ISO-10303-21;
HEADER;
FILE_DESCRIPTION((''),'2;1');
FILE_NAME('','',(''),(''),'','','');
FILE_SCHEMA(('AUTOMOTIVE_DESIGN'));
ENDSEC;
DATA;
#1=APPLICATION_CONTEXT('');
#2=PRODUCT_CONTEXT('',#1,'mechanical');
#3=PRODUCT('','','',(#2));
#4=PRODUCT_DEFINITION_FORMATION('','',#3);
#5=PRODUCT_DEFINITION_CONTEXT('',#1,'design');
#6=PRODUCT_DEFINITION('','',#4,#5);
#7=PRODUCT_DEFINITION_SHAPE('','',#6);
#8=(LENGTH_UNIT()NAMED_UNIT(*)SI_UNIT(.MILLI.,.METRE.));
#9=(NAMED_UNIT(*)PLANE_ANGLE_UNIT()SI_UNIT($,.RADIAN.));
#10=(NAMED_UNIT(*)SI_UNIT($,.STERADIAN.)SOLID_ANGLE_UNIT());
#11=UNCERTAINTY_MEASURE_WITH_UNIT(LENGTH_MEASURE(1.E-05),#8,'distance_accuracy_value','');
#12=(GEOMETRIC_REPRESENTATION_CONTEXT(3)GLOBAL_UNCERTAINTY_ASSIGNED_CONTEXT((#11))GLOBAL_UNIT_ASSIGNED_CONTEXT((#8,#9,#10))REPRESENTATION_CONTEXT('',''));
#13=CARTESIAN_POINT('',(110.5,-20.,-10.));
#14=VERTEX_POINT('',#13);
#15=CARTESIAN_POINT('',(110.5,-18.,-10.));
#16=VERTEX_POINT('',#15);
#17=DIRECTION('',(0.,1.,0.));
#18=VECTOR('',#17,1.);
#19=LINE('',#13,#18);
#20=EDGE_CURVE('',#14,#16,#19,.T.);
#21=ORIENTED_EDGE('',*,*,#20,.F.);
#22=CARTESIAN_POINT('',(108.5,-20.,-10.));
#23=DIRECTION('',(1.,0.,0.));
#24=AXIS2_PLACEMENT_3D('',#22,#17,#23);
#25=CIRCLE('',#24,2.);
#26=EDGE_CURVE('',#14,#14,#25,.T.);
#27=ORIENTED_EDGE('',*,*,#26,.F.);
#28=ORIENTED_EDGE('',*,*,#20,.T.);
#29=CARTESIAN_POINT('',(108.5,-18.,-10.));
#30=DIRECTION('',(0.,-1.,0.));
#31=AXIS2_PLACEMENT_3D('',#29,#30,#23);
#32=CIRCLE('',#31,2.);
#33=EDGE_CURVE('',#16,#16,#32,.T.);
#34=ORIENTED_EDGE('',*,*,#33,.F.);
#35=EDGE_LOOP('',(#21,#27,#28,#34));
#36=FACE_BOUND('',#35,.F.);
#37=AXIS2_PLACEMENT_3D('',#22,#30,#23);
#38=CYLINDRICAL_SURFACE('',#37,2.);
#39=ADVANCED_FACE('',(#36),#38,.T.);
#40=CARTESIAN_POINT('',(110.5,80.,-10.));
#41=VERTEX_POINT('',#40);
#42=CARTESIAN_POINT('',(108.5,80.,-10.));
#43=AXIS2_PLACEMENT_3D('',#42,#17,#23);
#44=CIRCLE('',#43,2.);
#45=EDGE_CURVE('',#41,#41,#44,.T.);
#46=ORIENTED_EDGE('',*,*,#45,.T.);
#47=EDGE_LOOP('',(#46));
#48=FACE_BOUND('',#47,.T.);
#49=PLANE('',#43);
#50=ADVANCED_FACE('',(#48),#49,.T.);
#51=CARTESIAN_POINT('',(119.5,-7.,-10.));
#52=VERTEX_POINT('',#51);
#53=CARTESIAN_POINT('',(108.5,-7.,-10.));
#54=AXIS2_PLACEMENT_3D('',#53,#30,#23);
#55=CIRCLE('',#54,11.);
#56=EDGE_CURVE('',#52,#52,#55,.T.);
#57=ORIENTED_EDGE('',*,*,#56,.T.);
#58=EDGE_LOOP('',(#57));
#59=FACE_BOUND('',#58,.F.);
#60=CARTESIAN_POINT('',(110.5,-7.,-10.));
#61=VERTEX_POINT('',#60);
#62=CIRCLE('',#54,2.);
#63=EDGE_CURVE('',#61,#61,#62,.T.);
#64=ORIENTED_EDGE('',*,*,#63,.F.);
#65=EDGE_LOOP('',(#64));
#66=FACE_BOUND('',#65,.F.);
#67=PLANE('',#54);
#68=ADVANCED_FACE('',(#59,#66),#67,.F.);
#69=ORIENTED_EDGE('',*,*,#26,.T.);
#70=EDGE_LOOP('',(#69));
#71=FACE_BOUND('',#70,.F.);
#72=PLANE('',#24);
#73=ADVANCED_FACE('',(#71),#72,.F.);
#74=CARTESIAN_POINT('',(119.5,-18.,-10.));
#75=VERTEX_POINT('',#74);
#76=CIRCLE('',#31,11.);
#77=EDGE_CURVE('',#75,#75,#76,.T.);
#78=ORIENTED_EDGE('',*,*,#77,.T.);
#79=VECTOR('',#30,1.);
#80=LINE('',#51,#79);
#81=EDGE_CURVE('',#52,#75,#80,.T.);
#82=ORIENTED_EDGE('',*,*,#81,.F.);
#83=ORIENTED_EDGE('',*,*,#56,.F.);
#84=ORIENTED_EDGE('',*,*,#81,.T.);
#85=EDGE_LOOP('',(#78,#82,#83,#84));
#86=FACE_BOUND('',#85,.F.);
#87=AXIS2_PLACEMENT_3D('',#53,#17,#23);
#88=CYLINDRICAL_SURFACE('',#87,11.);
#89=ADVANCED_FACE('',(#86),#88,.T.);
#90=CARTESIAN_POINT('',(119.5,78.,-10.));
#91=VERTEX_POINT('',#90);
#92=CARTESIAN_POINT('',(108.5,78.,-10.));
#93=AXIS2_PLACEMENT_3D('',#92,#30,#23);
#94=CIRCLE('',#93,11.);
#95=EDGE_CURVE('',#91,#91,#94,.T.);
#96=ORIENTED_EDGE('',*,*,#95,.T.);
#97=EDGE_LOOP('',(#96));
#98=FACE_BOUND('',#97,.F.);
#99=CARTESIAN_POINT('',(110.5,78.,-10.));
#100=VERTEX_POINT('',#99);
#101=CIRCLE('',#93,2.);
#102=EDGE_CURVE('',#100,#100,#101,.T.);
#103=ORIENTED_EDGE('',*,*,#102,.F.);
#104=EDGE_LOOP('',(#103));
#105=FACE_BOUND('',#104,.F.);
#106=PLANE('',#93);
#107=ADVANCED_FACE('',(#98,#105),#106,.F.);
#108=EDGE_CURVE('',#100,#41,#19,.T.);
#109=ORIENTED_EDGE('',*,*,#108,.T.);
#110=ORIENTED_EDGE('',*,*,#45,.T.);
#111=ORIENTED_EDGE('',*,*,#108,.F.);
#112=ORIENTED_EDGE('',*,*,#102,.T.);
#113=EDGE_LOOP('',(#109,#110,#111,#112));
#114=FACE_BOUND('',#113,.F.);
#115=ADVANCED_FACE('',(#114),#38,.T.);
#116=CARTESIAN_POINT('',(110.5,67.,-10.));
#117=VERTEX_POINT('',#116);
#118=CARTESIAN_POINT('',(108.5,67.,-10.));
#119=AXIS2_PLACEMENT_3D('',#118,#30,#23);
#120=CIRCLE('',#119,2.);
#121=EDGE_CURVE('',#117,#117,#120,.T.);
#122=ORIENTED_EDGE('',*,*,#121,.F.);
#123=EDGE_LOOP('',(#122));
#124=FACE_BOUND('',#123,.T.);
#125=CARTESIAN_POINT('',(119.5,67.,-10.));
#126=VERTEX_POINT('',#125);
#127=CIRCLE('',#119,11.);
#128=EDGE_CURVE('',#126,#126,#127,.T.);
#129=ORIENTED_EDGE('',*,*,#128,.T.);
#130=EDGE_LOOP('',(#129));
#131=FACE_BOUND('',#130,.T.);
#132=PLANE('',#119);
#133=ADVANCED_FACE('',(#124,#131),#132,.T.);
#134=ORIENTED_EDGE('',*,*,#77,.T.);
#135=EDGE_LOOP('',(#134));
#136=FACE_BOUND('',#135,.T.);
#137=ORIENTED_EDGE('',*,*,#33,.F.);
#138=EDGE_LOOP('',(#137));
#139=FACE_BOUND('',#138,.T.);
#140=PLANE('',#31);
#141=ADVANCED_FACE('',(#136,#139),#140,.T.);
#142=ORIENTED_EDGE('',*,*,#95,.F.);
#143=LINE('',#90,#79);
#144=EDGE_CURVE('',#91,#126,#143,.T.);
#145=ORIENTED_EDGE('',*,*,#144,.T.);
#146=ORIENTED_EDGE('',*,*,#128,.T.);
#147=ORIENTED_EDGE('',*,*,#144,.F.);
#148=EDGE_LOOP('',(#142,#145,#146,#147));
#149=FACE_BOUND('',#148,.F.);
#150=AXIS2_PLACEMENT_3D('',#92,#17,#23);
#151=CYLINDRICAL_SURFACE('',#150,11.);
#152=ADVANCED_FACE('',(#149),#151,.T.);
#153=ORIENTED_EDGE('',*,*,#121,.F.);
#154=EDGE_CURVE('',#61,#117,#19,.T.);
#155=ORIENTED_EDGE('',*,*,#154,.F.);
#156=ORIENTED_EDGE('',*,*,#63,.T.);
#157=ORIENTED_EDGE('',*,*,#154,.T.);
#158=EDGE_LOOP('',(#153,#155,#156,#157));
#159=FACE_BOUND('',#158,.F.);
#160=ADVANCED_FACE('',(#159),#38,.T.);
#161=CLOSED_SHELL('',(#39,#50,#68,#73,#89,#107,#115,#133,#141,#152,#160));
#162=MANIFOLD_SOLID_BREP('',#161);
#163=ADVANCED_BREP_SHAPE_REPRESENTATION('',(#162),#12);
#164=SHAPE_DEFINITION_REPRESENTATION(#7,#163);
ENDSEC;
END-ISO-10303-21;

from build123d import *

# Parameters (mm, degrees)
CYLINDER002001001002_R             = 11
CYLINDER002001001002_DEPTH         = 11
CYLINDER002001001002_ROLL_ANGLE    = 90
CYLINDER002001001002001_R          = 11
CYLINDER002001001002001_DEPTH      = 11
CYLINDER002001001002001_ROLL_ANGLE = 90
CYLINDER002001002001_R             = 2
CYLINDER002001002001_DEPTH         = 100
CYLINDER002001002001_ROLL_ANGLE    = -90


with BuildPart() as wheel006:
    # Cylinder002001001002 → Cylinder002001001002 (new body)
    with BuildSketch(Plane.XY):
        Circle(CYLINDER002001001002_R)
    extrude(amount=CYLINDER002001001002_DEPTH)


with BuildPart() as wheel006_1:
    # Cylinder002001001002 roll: moved
    add(wheel006.part.rotate(Axis((0, 0, 0), (1, 0, 0)), CYLINDER002001001002_ROLL_ANGLE))


with BuildPart() as wheel006_2:
    # Cylinder002001001002 placement: moved
    add(wheel006_1.part.moved(Location((20, 78, 14))))


with BuildPart() as wheel007:
    # Cylinder002001001002001 → Cylinder002001001002001 (new body)
    with BuildSketch(Plane.XY):
        Circle(CYLINDER002001001002001_R)
    extrude(amount=CYLINDER002001001002001_DEPTH)


with BuildPart() as wheel007_1:
    # Cylinder002001001002001 roll: moved
    add(wheel007.part.rotate(Axis((0, 0, 0), (1, 0, 0)), CYLINDER002001001002001_ROLL_ANGLE))


with BuildPart() as wheel007_2:
    # Cylinder002001001002001 placement: moved
    add(wheel007_1.part.moved(Location((20, -7, 14))))


with BuildPart() as swheelset3:
    # Cylinder002001002001 → Cylinder002001002001 (new body)
    with BuildSketch(Plane.XY):
        Circle(CYLINDER002001002001_R)
    extrude(amount=CYLINDER002001002001_DEPTH)


with BuildPart() as swheelset3_1:
    # Cylinder002001002001 roll: moved
    add(swheelset3.part.rotate(Axis((0, 0, 0), (1, 0, 0)), CYLINDER002001002001_ROLL_ANGLE))


with BuildPart() as swheelset3_2:
    # Cylinder002001002001 placement: moved
    add(swheelset3_1.part.moved(Location((20, -20, 14))))

    # Fusion002001002002002001001: union Wheel006, Wheel007
    add(wheel006_2.part)
    add(wheel007_2.part)


with BuildPart() as swheelset3_3:
    # Fusion002001002002002001001 placement: moved
    add(swheelset3_2.part.moved(Location((88.5, 0, -24))))


solid = swheelset3_3.part
